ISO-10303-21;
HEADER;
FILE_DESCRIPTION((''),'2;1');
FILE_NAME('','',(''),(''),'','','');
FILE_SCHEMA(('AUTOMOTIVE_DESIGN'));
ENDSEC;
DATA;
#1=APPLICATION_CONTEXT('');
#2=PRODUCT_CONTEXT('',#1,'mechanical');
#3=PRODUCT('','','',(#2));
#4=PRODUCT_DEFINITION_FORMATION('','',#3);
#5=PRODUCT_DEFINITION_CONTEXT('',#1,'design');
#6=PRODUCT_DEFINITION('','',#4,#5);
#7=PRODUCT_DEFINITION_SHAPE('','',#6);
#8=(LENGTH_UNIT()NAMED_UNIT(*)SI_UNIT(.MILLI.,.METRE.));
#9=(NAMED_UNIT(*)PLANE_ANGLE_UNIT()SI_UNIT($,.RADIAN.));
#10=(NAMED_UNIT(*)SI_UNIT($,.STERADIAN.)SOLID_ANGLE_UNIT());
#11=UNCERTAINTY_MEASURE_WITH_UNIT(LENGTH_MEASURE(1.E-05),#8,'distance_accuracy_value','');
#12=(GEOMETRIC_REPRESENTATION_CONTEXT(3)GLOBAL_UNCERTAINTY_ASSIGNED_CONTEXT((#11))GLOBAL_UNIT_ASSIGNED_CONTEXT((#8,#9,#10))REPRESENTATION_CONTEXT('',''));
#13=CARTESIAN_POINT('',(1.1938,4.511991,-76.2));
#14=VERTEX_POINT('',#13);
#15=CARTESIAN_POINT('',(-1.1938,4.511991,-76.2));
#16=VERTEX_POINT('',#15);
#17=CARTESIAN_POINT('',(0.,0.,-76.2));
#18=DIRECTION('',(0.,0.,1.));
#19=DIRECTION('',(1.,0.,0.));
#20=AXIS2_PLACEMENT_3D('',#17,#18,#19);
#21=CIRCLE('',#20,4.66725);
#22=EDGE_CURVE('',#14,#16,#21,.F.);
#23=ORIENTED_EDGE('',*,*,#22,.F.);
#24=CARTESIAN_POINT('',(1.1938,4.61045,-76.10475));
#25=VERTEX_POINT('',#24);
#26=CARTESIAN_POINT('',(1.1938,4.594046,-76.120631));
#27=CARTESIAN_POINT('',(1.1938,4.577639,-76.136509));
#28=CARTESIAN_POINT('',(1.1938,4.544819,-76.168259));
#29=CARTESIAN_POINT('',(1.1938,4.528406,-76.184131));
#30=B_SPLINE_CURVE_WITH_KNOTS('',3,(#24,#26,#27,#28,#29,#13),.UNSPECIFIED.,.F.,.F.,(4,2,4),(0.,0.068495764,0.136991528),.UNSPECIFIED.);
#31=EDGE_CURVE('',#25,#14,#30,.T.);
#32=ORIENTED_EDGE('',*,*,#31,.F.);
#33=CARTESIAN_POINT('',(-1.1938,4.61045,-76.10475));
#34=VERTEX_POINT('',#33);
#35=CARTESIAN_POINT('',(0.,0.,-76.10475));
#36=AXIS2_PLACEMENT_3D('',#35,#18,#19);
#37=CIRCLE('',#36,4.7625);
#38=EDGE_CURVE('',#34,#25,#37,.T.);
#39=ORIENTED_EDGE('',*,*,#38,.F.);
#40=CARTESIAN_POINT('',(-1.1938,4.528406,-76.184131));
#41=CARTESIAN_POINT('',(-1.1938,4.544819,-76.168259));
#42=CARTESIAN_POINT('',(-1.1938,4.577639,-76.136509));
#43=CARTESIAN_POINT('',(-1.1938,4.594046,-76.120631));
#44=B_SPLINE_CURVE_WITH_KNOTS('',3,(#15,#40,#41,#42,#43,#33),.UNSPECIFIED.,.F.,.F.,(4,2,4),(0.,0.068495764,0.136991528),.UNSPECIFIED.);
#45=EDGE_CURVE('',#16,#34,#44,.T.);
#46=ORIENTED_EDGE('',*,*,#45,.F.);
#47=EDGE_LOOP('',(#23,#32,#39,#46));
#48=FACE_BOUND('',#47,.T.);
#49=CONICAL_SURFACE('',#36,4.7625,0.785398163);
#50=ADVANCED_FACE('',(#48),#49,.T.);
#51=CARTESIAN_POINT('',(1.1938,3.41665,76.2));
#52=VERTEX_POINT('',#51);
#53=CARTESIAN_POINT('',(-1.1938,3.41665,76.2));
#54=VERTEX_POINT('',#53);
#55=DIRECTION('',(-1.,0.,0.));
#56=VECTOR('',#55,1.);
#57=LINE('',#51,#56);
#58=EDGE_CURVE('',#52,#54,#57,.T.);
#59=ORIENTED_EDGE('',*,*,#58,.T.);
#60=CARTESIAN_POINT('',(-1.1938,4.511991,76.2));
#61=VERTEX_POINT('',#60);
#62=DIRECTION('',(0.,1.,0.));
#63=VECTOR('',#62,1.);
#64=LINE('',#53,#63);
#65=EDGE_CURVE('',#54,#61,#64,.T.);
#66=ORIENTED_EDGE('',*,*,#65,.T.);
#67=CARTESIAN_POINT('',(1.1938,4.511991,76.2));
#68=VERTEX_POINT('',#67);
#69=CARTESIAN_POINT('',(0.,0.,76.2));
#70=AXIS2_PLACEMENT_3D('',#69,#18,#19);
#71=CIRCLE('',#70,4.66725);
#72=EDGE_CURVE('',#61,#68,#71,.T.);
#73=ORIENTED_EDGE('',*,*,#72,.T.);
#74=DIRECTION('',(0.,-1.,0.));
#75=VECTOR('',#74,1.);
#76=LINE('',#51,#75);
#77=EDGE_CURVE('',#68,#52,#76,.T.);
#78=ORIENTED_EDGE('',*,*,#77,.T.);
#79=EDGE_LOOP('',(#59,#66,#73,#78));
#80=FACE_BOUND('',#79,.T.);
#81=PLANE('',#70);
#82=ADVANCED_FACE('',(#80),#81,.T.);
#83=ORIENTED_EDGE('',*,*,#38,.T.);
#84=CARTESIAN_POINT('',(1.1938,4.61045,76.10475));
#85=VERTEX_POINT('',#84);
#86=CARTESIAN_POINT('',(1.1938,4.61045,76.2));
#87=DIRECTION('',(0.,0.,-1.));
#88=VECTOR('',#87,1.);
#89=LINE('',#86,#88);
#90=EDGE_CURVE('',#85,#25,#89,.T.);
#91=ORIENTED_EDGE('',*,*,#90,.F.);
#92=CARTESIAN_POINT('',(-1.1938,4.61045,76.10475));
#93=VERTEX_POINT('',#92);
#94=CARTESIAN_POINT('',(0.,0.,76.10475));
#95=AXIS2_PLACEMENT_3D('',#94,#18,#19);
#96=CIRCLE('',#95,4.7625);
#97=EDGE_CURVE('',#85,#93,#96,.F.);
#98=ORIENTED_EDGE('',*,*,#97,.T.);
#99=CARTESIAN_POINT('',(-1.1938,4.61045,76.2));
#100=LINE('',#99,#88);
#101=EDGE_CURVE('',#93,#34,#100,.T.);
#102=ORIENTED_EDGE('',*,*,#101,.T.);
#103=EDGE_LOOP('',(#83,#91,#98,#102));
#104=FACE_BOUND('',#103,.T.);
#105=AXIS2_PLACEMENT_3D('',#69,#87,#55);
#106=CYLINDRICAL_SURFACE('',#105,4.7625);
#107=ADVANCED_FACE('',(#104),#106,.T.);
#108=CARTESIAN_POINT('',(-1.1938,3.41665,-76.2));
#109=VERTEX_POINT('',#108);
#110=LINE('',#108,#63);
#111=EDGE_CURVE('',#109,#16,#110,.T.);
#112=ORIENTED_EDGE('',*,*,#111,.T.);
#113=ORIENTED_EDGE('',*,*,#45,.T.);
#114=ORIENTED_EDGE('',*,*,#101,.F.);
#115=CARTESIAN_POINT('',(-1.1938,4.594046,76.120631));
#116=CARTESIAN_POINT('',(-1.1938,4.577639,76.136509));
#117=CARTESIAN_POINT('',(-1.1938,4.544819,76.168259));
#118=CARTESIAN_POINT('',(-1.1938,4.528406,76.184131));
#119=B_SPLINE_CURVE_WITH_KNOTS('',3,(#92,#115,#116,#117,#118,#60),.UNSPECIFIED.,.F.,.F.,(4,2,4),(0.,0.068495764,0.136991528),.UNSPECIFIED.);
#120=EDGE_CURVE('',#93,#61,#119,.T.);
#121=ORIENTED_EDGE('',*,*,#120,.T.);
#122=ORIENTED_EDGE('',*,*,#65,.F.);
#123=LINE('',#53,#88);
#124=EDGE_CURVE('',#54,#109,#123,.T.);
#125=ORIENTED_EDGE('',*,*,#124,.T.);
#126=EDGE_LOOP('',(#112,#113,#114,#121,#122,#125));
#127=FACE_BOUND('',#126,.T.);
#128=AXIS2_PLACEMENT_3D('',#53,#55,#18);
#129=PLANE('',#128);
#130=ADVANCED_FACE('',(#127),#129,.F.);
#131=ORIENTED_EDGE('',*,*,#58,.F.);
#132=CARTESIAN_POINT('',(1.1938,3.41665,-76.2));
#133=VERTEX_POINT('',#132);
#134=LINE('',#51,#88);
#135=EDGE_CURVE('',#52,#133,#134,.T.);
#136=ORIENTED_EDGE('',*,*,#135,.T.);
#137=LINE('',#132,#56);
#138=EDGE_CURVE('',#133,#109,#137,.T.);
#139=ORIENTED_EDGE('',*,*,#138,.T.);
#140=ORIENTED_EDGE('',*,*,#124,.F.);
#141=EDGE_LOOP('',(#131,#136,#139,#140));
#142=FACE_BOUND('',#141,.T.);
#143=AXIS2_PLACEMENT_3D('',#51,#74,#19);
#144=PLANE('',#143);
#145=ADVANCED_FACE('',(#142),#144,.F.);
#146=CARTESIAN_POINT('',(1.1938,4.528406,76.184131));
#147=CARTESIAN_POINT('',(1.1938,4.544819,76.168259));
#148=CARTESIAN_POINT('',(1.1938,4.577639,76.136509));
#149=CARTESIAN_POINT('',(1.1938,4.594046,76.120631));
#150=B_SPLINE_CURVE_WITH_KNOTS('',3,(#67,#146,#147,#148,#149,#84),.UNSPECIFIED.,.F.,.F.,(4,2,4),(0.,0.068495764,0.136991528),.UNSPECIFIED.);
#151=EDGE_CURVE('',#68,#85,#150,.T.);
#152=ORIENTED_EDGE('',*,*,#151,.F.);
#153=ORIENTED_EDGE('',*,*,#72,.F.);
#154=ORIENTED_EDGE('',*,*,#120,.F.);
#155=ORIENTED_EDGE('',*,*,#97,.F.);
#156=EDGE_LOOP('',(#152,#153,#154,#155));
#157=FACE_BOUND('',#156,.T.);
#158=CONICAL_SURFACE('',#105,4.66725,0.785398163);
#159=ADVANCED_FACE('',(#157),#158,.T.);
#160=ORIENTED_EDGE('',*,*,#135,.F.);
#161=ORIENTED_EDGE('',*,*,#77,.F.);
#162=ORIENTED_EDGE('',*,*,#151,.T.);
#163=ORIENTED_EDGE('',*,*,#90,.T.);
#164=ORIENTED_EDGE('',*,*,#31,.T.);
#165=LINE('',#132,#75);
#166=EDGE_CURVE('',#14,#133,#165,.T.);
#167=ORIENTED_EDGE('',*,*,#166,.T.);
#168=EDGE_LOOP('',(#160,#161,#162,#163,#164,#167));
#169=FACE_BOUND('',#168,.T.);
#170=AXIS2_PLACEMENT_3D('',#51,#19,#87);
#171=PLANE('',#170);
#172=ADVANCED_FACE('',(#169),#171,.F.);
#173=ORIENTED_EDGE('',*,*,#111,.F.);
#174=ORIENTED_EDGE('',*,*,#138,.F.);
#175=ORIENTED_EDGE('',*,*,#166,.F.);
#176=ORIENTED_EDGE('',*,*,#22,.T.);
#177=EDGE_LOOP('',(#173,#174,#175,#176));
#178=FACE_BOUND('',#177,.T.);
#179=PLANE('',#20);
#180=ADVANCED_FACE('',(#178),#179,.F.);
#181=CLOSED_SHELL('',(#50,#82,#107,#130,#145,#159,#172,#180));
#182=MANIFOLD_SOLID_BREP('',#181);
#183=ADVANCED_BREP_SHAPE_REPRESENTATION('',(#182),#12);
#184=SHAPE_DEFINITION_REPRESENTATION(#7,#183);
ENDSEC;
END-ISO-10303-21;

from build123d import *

# Parameters (mm, degrees)
BOSS_EXTRUDE1_DEPTH      = 76.2
BOSS_EXTRUDE1_DEPTH_BACK = 76.2
CHAMFER1_SIZE            = 0.09525


with BuildPart() as part:
    # Sketch3 → Boss-Extrude1 (new, two sides: drawn at the far end of the back side and taken through both)
    with BuildSketch(Plane.XY.offset(-BOSS_EXTRUDE1_DEPTH_BACK)):
        with BuildLine():
            Line((-1.1938, 3.416649849), (-1.1938, 4.610449849))
            ThreePointArc((-1.1938, 4.610449849), (0, -4.7625), (1.1938, 4.610449849))
            Line((1.1938, 4.610449849), (1.1938, 3.416649849))
            Line((1.1938, 3.416649849), (-1.1938, 3.416649849))
        make_face()
    extrude(amount=BOSS_EXTRUDE1_DEPTH + BOSS_EXTRUDE1_DEPTH_BACK)

    # Chamfer1
    chamfer1_edges = [part.edges().sort_by_distance(p)[0] for p in [
        (0, -4.7625, -76.2),
        (0, -4.7625, 76.2),
    ]]
    chamfer(chamfer1_edges, length=CHAMFER1_SIZE)


solid = part.part
